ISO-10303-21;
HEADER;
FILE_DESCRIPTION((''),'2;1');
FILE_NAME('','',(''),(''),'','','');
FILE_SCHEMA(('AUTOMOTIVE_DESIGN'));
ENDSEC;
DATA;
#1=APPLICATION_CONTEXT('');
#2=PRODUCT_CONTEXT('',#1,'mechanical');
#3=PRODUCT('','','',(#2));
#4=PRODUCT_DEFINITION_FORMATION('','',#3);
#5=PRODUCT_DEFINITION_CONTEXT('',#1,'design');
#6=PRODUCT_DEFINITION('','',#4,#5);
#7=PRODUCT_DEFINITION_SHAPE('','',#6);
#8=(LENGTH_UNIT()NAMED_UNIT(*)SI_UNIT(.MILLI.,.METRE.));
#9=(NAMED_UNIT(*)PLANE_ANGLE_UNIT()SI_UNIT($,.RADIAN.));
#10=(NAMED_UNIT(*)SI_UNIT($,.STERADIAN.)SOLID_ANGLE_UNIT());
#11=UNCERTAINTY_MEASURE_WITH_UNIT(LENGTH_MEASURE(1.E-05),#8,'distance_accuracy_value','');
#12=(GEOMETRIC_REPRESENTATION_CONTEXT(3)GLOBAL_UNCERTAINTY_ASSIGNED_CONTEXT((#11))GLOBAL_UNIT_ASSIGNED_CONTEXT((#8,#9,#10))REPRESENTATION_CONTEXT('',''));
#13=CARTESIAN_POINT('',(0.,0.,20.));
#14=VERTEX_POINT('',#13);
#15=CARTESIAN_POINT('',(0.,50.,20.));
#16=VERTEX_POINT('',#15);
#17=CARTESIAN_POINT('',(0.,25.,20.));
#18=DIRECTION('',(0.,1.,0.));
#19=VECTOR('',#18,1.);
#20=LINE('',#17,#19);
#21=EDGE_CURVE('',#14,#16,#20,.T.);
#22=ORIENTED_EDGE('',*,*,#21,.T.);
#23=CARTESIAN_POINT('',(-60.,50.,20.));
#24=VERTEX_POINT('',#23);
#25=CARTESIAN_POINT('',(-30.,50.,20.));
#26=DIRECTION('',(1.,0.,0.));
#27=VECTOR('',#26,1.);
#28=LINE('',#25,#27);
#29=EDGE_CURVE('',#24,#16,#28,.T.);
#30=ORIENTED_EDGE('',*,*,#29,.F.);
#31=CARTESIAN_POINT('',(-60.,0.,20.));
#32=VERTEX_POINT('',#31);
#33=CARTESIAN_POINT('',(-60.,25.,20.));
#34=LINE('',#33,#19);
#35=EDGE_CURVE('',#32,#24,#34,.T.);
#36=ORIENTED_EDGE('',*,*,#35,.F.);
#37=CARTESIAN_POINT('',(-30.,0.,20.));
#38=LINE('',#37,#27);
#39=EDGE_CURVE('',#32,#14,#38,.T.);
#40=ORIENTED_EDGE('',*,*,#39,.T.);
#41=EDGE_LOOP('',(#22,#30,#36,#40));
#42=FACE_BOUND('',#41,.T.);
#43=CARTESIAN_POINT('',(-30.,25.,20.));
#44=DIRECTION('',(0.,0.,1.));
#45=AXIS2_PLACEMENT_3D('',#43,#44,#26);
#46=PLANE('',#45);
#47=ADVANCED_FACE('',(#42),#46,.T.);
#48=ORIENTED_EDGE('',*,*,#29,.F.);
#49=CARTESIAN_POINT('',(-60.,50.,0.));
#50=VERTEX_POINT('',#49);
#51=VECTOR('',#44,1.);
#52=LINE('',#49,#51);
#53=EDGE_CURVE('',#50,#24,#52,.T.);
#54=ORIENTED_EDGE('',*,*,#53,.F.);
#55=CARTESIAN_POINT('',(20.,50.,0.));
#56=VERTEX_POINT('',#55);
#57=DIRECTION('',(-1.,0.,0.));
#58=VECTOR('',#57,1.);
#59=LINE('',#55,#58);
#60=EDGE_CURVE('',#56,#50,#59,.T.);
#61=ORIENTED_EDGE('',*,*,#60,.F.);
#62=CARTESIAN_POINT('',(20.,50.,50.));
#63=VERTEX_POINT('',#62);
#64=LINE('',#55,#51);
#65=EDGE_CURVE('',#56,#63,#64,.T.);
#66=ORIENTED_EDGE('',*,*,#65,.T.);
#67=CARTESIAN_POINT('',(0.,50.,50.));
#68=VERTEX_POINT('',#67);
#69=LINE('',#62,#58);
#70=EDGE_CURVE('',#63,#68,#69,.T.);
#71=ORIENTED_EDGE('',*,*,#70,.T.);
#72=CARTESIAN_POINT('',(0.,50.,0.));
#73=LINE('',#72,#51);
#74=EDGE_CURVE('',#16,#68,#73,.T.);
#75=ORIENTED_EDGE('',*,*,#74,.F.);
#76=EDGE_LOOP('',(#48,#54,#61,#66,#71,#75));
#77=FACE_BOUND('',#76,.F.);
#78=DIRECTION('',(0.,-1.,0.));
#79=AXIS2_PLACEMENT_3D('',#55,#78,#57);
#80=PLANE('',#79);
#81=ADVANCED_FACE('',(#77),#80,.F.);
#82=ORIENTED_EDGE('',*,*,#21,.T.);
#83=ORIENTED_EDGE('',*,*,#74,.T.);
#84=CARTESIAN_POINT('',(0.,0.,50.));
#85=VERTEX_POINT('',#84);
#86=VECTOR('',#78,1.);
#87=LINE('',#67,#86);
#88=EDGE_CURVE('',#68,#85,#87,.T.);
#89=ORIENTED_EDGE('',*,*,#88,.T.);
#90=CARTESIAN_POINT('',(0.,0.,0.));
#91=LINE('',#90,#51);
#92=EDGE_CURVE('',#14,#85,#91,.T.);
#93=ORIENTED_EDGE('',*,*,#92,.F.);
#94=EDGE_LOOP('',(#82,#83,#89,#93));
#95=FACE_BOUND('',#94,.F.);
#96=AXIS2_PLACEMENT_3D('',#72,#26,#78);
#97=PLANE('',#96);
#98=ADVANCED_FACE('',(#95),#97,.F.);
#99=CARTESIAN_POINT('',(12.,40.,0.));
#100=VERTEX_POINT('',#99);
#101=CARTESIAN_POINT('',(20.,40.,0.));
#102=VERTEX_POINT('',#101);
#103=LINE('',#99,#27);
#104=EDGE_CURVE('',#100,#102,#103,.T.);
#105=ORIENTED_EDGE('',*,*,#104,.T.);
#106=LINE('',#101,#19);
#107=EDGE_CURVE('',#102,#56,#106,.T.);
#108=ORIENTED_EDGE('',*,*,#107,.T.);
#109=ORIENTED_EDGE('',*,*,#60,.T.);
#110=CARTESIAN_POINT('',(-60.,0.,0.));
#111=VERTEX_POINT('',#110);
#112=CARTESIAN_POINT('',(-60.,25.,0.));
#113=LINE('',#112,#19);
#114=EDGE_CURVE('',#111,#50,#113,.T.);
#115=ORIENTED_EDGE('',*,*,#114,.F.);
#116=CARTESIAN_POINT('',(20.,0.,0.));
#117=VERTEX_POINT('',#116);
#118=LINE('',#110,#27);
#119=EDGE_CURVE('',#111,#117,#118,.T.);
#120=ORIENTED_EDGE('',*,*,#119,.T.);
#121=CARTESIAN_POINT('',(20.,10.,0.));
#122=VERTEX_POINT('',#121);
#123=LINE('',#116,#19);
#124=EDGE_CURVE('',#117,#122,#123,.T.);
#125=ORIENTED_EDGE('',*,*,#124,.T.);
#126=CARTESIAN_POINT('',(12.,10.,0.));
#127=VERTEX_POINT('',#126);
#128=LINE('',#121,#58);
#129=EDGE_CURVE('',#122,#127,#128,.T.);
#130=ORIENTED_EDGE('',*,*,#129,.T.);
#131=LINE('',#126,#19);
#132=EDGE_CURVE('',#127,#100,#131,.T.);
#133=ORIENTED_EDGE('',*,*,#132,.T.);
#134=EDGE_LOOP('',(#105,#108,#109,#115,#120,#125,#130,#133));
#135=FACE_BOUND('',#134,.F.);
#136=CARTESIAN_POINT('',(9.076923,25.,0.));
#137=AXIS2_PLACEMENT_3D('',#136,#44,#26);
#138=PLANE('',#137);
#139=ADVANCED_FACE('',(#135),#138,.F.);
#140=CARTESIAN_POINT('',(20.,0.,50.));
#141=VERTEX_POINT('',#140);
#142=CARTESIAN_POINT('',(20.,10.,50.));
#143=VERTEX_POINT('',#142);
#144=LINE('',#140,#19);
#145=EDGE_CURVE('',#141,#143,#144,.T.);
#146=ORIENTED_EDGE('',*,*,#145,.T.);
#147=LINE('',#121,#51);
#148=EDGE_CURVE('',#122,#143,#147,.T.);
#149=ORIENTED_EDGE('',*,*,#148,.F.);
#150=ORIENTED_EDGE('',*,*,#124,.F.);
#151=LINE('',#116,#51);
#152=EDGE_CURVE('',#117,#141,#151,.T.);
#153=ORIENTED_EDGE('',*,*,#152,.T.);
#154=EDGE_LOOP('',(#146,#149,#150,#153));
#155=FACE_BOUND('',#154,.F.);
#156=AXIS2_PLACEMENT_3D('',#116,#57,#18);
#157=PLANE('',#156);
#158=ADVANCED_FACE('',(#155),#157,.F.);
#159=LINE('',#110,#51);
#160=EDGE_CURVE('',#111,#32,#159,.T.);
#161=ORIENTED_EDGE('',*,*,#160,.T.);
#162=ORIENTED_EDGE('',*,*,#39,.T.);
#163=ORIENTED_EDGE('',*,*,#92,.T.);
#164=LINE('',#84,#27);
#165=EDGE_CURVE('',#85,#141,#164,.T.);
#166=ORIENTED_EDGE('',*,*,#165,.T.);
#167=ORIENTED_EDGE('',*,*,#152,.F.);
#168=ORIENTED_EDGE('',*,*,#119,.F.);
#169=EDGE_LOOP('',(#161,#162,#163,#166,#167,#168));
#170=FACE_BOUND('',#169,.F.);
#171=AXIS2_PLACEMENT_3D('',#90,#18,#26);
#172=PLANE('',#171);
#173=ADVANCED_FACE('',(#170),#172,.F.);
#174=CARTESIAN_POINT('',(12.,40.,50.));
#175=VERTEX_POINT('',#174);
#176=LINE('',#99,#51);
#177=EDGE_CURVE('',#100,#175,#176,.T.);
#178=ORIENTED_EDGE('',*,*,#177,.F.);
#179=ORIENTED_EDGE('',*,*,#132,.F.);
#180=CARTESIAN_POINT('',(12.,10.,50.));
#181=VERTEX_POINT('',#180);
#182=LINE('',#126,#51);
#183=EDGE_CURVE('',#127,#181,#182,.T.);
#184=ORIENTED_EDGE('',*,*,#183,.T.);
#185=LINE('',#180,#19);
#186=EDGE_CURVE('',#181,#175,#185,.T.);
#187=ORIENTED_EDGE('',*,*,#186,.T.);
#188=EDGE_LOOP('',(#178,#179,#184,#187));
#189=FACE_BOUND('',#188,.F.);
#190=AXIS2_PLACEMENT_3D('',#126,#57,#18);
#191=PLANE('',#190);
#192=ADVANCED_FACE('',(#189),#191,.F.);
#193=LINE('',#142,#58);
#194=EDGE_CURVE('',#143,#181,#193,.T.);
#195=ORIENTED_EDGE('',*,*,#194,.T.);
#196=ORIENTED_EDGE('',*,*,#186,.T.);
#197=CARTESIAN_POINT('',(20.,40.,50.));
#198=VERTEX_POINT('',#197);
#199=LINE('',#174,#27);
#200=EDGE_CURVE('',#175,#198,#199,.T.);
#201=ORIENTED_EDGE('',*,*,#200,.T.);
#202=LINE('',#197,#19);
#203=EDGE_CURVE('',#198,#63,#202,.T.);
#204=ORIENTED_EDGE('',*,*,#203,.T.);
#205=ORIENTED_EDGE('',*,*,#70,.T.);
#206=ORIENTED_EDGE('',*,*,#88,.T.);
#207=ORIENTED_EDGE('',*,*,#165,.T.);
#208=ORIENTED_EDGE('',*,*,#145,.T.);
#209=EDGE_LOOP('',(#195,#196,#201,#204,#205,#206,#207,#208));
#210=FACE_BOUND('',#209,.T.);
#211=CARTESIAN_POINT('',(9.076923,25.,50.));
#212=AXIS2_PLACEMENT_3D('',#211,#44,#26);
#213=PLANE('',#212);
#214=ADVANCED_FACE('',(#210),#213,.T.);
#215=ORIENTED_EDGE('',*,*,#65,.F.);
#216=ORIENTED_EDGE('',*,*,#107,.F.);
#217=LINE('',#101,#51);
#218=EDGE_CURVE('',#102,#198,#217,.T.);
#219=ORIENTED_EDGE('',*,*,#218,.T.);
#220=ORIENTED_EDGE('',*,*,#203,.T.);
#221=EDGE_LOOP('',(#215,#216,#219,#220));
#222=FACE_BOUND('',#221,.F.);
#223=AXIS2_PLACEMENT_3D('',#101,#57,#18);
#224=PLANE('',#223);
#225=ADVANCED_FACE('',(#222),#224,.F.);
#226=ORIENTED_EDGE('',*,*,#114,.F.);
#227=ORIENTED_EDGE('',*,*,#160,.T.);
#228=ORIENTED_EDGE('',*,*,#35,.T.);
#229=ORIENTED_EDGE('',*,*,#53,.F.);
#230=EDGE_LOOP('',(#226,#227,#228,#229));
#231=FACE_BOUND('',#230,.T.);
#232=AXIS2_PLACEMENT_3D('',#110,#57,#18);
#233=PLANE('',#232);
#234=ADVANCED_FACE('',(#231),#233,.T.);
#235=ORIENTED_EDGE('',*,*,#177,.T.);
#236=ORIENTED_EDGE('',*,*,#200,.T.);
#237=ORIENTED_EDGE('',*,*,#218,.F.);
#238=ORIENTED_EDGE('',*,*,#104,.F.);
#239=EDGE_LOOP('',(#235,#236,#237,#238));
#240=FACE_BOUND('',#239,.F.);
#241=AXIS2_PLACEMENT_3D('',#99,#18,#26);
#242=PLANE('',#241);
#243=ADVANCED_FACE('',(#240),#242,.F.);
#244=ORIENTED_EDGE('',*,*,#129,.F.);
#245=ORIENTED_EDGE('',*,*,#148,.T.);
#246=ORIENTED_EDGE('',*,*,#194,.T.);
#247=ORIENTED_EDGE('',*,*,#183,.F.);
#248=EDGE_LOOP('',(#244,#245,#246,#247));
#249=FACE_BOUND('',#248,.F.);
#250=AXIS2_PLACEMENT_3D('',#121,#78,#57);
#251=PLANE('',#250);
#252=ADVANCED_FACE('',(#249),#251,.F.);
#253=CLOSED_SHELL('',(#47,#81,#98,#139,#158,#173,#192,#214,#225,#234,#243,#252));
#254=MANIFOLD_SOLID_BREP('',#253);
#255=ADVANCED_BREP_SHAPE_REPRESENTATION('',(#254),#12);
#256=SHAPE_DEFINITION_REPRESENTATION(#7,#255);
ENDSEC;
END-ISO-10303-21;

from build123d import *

# Parameters (mm, degrees)
F0_W     = 60
F0_H     = 50
F1_DEPTH = 20
F2_DEPTH = 50


with BuildPart() as f1:
    # F0 (on Top) → F1 (new body)
    with BuildSketch(Plane.XY):
        with Locations((-30, 25)):
            Rectangle(F0_W, F0_H)
    extrude(amount=F1_DEPTH)

    # F0 (on Top) → F2 (join)
    with BuildSketch(Plane.XY):
        Polygon((0, 50), (0, 0), (20, 0), (20, 10), (12, 10), (12, 40), (20, 40), (20, 50), align=None)
    extrude(amount=F2_DEPTH)


solid = f1.part
